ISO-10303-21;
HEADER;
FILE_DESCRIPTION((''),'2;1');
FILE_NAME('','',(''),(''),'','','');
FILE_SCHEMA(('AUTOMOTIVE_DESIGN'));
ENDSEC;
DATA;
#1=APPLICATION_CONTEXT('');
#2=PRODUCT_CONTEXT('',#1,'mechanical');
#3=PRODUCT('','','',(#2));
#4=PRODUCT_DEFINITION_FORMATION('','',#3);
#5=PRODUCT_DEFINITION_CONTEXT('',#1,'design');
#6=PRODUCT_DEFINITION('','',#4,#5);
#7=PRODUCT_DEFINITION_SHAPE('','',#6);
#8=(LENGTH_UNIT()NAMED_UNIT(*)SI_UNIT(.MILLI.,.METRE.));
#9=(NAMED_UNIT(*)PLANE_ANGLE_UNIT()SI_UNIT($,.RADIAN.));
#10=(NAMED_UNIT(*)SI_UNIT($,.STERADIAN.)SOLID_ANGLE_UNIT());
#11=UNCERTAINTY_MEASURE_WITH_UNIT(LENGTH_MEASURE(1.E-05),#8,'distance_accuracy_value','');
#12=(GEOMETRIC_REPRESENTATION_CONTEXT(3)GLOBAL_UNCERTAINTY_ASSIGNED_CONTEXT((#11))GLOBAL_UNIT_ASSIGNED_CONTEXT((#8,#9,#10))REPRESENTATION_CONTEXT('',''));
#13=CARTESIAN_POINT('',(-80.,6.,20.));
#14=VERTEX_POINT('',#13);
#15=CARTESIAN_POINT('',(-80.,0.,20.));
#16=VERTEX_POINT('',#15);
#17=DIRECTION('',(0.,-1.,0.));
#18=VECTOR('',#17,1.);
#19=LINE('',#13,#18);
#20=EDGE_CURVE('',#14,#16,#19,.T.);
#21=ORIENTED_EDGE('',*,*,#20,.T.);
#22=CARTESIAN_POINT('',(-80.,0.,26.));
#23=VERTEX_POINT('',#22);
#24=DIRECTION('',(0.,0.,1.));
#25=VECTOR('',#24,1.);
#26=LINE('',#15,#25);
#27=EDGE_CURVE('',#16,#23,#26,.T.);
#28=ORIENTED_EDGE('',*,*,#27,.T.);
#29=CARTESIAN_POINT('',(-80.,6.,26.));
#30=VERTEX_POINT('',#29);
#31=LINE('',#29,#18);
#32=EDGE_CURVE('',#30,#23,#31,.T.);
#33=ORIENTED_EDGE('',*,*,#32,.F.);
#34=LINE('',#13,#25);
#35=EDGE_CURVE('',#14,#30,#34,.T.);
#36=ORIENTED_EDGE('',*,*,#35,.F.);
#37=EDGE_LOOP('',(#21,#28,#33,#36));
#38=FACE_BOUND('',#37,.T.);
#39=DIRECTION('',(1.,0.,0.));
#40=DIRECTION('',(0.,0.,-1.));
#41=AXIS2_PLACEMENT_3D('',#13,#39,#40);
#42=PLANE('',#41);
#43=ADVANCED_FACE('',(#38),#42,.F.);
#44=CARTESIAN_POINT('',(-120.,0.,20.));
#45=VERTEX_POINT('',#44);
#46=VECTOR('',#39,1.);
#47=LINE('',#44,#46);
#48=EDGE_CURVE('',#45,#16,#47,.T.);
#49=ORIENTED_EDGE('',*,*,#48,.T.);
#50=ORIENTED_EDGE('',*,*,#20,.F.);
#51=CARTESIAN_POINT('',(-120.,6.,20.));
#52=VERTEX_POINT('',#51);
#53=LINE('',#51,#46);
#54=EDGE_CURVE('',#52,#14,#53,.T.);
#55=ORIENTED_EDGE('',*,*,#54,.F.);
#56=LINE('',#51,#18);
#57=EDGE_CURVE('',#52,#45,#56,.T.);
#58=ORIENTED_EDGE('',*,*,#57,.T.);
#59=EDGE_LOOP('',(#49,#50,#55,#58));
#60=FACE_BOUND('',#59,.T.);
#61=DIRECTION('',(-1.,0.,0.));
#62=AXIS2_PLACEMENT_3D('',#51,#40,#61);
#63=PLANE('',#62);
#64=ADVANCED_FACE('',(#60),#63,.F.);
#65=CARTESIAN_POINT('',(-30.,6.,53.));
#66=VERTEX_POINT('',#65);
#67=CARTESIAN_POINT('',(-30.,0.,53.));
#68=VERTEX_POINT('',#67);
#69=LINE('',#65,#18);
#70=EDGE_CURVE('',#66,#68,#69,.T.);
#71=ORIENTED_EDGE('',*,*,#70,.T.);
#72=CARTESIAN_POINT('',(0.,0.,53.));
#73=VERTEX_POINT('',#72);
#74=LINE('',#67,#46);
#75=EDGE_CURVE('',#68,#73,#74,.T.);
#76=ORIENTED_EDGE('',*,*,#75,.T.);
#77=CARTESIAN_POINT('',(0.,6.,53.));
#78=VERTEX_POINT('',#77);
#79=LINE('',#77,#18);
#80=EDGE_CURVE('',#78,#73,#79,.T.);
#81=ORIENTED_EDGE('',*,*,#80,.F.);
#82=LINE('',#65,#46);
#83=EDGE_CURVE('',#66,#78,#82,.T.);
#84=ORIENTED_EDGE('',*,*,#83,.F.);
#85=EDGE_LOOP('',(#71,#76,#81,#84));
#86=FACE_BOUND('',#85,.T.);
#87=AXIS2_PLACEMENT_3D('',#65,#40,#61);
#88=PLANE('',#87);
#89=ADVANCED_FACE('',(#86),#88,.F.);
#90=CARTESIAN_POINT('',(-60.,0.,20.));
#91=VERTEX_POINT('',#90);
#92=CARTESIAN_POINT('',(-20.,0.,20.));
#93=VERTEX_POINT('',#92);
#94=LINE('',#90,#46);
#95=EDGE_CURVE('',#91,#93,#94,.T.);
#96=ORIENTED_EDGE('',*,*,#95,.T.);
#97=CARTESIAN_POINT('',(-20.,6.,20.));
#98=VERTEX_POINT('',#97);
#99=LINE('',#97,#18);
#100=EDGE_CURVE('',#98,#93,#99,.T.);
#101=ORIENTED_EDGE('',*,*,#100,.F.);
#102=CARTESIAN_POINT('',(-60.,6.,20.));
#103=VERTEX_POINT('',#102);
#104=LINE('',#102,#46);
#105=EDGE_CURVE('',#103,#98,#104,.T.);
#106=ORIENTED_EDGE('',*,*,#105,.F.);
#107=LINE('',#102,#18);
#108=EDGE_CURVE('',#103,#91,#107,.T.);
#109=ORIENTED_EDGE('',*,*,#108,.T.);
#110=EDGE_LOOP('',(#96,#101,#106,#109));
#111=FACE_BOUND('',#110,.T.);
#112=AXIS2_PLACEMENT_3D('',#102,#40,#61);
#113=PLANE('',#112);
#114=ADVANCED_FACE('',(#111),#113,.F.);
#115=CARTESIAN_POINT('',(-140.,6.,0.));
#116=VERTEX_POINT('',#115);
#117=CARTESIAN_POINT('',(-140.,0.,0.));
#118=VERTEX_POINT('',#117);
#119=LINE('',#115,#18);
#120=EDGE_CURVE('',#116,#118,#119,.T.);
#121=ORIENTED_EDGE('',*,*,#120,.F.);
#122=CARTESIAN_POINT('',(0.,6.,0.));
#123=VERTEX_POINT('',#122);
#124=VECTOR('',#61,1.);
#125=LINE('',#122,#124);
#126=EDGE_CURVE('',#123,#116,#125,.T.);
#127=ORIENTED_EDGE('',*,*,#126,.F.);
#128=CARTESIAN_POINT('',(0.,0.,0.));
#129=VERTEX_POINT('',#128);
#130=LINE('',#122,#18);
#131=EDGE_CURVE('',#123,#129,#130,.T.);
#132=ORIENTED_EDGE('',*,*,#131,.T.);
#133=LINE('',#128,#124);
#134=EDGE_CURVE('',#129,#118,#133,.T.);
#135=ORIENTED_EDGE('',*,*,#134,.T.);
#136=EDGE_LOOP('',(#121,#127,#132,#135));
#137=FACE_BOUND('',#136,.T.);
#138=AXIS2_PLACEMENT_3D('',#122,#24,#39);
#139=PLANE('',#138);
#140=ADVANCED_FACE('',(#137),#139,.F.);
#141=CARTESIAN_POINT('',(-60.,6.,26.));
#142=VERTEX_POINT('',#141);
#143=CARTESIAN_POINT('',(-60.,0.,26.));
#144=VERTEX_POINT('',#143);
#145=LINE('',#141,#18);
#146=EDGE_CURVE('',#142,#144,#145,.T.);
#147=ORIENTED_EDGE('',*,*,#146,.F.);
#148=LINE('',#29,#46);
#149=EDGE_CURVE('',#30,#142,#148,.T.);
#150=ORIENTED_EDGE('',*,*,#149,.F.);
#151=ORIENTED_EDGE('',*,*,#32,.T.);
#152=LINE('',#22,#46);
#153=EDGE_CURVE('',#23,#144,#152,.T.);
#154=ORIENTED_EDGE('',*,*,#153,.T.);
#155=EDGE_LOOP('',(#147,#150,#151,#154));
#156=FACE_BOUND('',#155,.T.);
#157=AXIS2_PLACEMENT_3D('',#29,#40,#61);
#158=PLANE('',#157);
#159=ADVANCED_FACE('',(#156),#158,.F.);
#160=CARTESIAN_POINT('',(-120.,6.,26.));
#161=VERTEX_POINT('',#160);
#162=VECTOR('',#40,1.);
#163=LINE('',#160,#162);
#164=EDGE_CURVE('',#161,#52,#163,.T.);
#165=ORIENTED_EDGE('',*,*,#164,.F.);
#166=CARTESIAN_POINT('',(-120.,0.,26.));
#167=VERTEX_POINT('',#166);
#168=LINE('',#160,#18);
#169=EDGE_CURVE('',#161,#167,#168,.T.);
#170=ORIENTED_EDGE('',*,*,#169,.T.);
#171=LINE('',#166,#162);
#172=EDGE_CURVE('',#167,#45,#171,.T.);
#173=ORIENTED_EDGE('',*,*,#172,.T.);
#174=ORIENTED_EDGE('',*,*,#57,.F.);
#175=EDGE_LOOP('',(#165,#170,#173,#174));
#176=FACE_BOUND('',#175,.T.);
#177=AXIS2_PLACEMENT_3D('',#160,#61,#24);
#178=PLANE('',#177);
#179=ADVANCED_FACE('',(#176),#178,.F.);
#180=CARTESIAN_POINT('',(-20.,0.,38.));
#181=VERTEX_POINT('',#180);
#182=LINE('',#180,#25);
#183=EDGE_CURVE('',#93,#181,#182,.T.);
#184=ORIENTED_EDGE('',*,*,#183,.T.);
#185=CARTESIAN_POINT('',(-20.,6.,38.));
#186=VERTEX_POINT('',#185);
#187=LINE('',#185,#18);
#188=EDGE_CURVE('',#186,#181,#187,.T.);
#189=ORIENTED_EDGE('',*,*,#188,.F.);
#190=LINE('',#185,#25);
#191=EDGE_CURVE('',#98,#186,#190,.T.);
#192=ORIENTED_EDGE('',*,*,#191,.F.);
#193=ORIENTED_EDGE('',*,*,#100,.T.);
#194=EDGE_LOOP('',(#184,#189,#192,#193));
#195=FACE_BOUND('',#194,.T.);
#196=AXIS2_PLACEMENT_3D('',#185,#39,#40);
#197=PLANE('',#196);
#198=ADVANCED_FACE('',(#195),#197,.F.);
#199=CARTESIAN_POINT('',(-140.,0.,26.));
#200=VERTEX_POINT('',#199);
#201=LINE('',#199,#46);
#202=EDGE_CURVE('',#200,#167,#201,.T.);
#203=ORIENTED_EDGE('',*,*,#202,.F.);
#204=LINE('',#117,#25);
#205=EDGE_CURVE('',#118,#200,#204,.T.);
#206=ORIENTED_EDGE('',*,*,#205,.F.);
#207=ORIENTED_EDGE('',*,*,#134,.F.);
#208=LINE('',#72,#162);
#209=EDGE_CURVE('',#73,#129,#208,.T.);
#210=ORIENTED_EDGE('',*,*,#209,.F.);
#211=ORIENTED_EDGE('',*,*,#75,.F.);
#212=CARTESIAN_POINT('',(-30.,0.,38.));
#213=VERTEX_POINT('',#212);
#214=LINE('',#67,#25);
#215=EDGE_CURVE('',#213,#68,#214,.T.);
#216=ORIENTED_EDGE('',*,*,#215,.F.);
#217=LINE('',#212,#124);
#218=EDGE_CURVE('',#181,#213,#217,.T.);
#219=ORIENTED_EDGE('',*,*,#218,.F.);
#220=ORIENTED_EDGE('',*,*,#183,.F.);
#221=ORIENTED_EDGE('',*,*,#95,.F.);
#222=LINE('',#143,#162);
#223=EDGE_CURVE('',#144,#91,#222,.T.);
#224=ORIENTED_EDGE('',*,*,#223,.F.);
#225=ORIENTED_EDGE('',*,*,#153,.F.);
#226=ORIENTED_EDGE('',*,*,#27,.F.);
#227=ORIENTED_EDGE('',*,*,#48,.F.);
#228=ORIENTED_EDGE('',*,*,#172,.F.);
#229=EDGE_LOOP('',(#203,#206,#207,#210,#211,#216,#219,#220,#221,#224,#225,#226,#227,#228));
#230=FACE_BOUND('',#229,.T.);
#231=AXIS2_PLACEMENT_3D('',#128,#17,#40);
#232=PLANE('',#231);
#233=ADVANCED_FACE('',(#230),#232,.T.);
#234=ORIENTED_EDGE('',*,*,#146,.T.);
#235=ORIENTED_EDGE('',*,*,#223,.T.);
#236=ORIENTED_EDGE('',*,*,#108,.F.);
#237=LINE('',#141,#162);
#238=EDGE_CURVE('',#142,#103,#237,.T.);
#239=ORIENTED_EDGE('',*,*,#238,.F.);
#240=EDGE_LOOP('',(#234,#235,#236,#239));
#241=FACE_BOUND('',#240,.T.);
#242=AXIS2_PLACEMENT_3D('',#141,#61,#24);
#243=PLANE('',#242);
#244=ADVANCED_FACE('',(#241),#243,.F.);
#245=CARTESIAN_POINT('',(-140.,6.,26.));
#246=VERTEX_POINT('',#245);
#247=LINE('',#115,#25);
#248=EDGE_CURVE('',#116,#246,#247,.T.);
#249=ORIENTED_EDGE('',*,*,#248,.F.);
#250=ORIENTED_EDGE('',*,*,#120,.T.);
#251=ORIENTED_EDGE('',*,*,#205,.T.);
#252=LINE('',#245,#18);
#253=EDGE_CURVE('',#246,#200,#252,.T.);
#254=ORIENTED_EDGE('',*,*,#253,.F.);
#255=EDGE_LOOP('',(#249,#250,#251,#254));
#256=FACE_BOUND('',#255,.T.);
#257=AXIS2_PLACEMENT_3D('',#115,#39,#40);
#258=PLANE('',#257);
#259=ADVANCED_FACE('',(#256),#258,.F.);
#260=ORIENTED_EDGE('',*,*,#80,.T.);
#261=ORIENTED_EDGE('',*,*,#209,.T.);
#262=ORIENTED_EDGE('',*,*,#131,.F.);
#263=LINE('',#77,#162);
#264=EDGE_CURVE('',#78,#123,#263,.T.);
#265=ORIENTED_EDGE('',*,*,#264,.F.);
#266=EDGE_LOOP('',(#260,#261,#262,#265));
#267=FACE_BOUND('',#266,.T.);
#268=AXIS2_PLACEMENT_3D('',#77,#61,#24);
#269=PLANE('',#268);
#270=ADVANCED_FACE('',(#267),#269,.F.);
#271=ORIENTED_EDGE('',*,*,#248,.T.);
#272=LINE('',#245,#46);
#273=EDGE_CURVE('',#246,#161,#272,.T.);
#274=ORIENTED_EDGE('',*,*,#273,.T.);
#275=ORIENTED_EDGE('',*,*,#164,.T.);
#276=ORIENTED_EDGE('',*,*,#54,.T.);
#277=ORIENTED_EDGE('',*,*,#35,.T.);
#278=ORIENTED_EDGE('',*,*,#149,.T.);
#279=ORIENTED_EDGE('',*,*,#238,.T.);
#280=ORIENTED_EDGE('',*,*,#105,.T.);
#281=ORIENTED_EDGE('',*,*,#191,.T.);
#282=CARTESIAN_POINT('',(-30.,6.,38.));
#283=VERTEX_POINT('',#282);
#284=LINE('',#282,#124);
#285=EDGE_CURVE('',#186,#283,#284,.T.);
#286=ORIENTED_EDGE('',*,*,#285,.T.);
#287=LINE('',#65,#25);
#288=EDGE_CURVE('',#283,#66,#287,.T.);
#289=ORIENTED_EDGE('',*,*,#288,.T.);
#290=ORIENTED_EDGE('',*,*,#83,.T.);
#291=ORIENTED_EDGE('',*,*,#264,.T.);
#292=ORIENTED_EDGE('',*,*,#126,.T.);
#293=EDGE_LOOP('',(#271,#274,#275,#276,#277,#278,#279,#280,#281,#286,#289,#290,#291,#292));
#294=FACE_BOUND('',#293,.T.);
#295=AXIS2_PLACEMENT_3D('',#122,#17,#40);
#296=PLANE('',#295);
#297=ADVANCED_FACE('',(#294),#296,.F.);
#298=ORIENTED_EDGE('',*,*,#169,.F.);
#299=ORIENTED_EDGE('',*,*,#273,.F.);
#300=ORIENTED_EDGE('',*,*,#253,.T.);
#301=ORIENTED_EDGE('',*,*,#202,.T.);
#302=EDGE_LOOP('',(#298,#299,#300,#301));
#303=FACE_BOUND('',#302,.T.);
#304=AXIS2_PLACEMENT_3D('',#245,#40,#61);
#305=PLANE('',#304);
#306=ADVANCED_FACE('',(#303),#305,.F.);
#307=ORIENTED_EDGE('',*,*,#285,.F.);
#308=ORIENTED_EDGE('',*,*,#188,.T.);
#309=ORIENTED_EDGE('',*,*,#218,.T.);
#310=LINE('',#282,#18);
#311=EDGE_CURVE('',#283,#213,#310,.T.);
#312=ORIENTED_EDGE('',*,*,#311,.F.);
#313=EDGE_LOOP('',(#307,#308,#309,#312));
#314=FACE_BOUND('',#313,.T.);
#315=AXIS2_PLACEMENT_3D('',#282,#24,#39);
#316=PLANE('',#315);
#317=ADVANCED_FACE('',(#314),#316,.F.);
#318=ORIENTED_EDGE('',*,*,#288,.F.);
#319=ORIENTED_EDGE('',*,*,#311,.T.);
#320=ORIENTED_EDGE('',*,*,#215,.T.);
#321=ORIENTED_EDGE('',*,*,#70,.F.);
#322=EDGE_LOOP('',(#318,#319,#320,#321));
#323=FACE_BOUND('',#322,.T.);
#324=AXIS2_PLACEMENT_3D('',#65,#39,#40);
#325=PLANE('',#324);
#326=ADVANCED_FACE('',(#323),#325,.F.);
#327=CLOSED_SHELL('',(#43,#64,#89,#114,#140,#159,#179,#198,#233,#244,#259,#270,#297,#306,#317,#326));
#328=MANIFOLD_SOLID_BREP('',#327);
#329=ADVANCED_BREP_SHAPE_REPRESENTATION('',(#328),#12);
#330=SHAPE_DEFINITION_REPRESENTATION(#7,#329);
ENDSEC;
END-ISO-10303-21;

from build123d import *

# Parameters (mm, degrees)
BOSS_EXTRUDE1_DEPTH = 6


with BuildPart() as part:
    # Sketch1 → Boss-Extrude1 (new body)
    with BuildSketch(Plane(origin=(0, 0, 0), x_dir=(1, 0, 0), z_dir=(0, 1, 0))):
        Polygon((0, -53), (0, 0), (-140, 0), (-140, -26), (-120, -26), (-120, -20), (-80, -20), (-80, -26), (-60, -26), (-60, -20), (-20, -20), (-20, -38), (-30, -38), (-30, -53), align=None)
    extrude(amount=BOSS_EXTRUDE1_DEPTH)


solid = part.part
